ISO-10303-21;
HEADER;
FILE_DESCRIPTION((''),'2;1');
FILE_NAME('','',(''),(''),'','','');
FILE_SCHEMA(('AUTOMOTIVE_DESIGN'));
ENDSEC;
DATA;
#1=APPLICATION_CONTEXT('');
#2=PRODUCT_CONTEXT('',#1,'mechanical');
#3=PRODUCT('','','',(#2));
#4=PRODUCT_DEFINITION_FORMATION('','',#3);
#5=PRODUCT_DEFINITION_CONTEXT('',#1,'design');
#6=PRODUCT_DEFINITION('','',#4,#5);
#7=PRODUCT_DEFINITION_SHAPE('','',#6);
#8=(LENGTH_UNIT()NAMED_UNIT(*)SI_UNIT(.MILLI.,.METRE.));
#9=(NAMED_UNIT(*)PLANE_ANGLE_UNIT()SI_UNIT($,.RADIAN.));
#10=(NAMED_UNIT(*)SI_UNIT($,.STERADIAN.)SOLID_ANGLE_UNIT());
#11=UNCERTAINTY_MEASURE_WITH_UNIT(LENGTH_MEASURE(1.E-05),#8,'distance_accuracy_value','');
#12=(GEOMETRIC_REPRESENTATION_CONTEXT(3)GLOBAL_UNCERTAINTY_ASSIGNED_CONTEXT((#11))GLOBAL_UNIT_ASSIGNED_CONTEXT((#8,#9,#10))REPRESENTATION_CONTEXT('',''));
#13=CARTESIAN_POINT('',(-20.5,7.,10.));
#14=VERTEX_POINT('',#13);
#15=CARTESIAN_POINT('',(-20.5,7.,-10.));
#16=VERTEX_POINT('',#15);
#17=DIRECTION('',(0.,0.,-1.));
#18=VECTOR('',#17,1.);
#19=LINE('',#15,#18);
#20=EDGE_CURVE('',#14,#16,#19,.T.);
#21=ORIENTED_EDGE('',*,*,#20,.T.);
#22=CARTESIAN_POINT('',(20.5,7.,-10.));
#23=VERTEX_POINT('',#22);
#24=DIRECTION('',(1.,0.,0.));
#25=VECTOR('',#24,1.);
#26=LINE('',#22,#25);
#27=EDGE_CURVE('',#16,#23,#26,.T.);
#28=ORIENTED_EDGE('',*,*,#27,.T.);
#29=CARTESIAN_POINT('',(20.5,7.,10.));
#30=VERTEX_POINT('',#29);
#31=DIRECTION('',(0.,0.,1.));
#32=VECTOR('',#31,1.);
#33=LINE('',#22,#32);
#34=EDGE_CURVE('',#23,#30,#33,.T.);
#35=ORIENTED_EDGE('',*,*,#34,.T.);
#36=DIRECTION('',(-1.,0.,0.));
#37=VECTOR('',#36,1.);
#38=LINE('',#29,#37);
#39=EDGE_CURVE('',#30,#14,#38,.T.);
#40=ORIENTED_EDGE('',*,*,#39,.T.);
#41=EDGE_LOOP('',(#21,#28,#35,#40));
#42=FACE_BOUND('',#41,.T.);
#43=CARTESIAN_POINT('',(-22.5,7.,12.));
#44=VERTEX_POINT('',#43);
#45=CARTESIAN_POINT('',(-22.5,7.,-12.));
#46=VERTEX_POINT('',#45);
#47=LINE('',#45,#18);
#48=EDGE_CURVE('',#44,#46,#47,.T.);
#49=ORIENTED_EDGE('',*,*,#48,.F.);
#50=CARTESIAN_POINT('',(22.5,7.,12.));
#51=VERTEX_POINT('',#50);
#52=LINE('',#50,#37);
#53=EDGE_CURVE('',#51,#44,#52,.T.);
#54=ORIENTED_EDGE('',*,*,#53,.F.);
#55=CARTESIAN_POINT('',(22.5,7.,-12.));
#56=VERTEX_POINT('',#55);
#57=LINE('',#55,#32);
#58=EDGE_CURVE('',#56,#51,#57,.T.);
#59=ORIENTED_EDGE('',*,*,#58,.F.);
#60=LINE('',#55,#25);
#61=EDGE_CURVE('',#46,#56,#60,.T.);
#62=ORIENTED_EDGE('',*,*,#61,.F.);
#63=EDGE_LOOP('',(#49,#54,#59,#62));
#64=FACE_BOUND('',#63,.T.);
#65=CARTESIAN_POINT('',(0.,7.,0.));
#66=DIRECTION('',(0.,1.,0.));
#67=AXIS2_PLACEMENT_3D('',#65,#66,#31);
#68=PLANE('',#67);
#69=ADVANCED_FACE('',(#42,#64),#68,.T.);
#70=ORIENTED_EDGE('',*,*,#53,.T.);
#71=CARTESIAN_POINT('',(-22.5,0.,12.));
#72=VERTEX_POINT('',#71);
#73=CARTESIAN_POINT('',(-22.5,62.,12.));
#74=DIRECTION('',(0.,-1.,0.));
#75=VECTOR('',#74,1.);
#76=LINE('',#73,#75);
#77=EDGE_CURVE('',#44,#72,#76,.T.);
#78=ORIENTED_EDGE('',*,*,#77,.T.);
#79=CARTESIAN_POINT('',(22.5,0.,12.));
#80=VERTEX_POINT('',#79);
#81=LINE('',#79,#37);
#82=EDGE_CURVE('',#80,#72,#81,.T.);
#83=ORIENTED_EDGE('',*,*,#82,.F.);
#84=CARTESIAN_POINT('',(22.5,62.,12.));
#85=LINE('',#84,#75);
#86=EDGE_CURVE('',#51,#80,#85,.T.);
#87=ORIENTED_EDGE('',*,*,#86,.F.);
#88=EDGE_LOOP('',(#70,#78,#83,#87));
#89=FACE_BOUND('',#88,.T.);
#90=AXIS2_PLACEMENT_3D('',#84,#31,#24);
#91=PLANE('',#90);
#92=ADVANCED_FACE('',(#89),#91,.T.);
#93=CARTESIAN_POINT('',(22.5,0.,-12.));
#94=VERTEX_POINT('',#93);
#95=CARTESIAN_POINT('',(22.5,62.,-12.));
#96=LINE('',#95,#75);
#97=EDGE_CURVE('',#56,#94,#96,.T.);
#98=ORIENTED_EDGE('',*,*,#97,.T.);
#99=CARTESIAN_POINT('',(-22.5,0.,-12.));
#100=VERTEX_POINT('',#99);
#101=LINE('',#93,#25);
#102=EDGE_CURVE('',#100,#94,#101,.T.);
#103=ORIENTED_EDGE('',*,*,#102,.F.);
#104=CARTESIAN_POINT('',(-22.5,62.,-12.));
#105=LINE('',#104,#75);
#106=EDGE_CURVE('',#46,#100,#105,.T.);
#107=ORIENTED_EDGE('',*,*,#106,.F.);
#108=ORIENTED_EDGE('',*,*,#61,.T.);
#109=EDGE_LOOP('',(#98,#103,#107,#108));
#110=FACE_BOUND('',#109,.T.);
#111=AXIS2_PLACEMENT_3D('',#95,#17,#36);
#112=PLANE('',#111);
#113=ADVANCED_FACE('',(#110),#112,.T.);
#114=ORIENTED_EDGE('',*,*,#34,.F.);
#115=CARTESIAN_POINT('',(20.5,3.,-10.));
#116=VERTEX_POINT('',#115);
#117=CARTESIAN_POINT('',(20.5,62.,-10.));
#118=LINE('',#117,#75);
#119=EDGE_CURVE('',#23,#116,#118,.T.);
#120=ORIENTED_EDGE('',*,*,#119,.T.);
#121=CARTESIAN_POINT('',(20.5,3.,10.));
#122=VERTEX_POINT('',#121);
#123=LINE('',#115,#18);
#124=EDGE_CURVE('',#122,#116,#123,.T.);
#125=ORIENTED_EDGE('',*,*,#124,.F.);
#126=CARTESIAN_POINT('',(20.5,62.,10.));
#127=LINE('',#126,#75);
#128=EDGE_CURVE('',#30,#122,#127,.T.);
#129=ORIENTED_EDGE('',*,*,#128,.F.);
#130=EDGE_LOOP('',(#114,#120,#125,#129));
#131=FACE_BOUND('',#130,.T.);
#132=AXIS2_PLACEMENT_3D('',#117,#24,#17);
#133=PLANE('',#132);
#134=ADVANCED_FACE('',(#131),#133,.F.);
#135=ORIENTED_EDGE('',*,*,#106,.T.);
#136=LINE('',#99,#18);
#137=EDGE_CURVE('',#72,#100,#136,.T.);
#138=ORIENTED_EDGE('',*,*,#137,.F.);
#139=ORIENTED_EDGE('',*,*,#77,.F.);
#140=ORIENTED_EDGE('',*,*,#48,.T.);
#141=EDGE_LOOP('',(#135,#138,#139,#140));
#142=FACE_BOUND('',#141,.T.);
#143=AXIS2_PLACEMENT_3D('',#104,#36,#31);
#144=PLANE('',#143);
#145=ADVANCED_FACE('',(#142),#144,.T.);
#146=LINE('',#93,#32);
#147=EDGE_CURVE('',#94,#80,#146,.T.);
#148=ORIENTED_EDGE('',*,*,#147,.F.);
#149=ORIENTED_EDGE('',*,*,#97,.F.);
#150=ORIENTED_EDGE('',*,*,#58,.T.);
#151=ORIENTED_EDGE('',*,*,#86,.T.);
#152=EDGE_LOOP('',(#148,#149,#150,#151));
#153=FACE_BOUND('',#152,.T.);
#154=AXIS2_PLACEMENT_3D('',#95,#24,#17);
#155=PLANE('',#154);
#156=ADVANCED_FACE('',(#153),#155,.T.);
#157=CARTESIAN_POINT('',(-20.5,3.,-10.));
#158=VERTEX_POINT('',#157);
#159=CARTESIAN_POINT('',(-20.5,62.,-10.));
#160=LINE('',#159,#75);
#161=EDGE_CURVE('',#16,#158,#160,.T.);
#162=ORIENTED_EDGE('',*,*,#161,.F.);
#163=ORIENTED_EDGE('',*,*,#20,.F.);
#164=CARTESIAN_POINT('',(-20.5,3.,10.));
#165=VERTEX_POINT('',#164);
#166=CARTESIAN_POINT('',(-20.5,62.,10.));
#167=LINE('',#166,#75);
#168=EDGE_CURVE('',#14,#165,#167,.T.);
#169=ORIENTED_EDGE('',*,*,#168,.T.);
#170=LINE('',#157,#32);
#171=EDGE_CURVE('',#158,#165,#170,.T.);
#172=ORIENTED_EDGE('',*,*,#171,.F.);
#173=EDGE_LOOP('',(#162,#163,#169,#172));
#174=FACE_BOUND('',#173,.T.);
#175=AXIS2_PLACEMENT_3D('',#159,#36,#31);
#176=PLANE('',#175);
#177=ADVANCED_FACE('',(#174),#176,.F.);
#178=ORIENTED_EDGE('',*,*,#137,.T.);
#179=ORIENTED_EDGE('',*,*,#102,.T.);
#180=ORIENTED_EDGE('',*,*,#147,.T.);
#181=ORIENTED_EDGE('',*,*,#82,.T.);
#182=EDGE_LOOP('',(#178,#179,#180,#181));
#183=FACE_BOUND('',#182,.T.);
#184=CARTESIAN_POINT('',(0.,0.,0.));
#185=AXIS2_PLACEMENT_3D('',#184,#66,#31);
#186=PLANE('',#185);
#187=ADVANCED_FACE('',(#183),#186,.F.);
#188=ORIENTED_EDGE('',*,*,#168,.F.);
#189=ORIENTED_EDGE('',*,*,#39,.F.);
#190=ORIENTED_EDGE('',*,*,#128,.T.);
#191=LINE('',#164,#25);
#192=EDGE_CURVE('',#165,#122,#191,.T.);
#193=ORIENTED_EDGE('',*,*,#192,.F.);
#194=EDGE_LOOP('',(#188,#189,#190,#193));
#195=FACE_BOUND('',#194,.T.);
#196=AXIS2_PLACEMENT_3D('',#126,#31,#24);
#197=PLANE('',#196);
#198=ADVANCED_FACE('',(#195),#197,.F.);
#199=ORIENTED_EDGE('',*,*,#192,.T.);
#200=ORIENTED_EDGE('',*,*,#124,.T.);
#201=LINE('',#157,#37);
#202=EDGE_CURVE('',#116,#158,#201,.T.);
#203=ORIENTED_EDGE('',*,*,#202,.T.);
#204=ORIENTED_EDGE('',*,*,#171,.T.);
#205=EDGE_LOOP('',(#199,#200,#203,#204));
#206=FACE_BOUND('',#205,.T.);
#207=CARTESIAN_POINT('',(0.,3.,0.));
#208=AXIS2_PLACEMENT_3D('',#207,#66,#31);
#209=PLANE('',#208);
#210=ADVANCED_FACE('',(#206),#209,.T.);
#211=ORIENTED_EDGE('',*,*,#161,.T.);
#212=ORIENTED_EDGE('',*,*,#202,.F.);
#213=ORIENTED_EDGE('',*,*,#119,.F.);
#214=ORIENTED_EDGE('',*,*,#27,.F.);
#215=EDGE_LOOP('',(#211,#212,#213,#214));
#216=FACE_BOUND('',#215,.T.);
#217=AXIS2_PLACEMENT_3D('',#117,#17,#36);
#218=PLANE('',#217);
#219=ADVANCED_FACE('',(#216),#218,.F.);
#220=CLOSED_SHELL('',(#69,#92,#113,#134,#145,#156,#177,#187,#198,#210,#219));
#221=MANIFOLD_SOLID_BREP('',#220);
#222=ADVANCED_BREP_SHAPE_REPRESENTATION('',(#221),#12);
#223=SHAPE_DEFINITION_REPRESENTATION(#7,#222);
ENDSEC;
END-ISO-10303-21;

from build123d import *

# Parameters (mm, degrees)
SKETCH1_W           = 41
SKETCH1_H           = 20
BOSS_EXTRUDE1_DEPTH = 3
SKETCH2_W           = 45
SKETCH2_H           = 24
SKETCH2_W_2         = 41
SKETCH2_H_2         = 20
BOSS_EXTRUDE2_DEPTH = 7


with BuildPart() as part:
    # Sketch1 → Boss-Extrude1 (new body)
    with BuildSketch(Plane(origin=(0, 0, 0), x_dir=(1, 0, 0), z_dir=(0, 1, 0))):
        Rectangle(SKETCH1_W, SKETCH1_H)
    extrude(amount=BOSS_EXTRUDE1_DEPTH)

    # Sketch2 → Boss-Extrude2 (add)
    with BuildSketch(Plane.XZ):
        Rectangle(SKETCH2_W, SKETCH2_H)
        Rectangle(SKETCH2_W_2, SKETCH2_H_2, mode=Mode.SUBTRACT)
    extrude(amount=-BOSS_EXTRUDE2_DEPTH)


solid = part.part
